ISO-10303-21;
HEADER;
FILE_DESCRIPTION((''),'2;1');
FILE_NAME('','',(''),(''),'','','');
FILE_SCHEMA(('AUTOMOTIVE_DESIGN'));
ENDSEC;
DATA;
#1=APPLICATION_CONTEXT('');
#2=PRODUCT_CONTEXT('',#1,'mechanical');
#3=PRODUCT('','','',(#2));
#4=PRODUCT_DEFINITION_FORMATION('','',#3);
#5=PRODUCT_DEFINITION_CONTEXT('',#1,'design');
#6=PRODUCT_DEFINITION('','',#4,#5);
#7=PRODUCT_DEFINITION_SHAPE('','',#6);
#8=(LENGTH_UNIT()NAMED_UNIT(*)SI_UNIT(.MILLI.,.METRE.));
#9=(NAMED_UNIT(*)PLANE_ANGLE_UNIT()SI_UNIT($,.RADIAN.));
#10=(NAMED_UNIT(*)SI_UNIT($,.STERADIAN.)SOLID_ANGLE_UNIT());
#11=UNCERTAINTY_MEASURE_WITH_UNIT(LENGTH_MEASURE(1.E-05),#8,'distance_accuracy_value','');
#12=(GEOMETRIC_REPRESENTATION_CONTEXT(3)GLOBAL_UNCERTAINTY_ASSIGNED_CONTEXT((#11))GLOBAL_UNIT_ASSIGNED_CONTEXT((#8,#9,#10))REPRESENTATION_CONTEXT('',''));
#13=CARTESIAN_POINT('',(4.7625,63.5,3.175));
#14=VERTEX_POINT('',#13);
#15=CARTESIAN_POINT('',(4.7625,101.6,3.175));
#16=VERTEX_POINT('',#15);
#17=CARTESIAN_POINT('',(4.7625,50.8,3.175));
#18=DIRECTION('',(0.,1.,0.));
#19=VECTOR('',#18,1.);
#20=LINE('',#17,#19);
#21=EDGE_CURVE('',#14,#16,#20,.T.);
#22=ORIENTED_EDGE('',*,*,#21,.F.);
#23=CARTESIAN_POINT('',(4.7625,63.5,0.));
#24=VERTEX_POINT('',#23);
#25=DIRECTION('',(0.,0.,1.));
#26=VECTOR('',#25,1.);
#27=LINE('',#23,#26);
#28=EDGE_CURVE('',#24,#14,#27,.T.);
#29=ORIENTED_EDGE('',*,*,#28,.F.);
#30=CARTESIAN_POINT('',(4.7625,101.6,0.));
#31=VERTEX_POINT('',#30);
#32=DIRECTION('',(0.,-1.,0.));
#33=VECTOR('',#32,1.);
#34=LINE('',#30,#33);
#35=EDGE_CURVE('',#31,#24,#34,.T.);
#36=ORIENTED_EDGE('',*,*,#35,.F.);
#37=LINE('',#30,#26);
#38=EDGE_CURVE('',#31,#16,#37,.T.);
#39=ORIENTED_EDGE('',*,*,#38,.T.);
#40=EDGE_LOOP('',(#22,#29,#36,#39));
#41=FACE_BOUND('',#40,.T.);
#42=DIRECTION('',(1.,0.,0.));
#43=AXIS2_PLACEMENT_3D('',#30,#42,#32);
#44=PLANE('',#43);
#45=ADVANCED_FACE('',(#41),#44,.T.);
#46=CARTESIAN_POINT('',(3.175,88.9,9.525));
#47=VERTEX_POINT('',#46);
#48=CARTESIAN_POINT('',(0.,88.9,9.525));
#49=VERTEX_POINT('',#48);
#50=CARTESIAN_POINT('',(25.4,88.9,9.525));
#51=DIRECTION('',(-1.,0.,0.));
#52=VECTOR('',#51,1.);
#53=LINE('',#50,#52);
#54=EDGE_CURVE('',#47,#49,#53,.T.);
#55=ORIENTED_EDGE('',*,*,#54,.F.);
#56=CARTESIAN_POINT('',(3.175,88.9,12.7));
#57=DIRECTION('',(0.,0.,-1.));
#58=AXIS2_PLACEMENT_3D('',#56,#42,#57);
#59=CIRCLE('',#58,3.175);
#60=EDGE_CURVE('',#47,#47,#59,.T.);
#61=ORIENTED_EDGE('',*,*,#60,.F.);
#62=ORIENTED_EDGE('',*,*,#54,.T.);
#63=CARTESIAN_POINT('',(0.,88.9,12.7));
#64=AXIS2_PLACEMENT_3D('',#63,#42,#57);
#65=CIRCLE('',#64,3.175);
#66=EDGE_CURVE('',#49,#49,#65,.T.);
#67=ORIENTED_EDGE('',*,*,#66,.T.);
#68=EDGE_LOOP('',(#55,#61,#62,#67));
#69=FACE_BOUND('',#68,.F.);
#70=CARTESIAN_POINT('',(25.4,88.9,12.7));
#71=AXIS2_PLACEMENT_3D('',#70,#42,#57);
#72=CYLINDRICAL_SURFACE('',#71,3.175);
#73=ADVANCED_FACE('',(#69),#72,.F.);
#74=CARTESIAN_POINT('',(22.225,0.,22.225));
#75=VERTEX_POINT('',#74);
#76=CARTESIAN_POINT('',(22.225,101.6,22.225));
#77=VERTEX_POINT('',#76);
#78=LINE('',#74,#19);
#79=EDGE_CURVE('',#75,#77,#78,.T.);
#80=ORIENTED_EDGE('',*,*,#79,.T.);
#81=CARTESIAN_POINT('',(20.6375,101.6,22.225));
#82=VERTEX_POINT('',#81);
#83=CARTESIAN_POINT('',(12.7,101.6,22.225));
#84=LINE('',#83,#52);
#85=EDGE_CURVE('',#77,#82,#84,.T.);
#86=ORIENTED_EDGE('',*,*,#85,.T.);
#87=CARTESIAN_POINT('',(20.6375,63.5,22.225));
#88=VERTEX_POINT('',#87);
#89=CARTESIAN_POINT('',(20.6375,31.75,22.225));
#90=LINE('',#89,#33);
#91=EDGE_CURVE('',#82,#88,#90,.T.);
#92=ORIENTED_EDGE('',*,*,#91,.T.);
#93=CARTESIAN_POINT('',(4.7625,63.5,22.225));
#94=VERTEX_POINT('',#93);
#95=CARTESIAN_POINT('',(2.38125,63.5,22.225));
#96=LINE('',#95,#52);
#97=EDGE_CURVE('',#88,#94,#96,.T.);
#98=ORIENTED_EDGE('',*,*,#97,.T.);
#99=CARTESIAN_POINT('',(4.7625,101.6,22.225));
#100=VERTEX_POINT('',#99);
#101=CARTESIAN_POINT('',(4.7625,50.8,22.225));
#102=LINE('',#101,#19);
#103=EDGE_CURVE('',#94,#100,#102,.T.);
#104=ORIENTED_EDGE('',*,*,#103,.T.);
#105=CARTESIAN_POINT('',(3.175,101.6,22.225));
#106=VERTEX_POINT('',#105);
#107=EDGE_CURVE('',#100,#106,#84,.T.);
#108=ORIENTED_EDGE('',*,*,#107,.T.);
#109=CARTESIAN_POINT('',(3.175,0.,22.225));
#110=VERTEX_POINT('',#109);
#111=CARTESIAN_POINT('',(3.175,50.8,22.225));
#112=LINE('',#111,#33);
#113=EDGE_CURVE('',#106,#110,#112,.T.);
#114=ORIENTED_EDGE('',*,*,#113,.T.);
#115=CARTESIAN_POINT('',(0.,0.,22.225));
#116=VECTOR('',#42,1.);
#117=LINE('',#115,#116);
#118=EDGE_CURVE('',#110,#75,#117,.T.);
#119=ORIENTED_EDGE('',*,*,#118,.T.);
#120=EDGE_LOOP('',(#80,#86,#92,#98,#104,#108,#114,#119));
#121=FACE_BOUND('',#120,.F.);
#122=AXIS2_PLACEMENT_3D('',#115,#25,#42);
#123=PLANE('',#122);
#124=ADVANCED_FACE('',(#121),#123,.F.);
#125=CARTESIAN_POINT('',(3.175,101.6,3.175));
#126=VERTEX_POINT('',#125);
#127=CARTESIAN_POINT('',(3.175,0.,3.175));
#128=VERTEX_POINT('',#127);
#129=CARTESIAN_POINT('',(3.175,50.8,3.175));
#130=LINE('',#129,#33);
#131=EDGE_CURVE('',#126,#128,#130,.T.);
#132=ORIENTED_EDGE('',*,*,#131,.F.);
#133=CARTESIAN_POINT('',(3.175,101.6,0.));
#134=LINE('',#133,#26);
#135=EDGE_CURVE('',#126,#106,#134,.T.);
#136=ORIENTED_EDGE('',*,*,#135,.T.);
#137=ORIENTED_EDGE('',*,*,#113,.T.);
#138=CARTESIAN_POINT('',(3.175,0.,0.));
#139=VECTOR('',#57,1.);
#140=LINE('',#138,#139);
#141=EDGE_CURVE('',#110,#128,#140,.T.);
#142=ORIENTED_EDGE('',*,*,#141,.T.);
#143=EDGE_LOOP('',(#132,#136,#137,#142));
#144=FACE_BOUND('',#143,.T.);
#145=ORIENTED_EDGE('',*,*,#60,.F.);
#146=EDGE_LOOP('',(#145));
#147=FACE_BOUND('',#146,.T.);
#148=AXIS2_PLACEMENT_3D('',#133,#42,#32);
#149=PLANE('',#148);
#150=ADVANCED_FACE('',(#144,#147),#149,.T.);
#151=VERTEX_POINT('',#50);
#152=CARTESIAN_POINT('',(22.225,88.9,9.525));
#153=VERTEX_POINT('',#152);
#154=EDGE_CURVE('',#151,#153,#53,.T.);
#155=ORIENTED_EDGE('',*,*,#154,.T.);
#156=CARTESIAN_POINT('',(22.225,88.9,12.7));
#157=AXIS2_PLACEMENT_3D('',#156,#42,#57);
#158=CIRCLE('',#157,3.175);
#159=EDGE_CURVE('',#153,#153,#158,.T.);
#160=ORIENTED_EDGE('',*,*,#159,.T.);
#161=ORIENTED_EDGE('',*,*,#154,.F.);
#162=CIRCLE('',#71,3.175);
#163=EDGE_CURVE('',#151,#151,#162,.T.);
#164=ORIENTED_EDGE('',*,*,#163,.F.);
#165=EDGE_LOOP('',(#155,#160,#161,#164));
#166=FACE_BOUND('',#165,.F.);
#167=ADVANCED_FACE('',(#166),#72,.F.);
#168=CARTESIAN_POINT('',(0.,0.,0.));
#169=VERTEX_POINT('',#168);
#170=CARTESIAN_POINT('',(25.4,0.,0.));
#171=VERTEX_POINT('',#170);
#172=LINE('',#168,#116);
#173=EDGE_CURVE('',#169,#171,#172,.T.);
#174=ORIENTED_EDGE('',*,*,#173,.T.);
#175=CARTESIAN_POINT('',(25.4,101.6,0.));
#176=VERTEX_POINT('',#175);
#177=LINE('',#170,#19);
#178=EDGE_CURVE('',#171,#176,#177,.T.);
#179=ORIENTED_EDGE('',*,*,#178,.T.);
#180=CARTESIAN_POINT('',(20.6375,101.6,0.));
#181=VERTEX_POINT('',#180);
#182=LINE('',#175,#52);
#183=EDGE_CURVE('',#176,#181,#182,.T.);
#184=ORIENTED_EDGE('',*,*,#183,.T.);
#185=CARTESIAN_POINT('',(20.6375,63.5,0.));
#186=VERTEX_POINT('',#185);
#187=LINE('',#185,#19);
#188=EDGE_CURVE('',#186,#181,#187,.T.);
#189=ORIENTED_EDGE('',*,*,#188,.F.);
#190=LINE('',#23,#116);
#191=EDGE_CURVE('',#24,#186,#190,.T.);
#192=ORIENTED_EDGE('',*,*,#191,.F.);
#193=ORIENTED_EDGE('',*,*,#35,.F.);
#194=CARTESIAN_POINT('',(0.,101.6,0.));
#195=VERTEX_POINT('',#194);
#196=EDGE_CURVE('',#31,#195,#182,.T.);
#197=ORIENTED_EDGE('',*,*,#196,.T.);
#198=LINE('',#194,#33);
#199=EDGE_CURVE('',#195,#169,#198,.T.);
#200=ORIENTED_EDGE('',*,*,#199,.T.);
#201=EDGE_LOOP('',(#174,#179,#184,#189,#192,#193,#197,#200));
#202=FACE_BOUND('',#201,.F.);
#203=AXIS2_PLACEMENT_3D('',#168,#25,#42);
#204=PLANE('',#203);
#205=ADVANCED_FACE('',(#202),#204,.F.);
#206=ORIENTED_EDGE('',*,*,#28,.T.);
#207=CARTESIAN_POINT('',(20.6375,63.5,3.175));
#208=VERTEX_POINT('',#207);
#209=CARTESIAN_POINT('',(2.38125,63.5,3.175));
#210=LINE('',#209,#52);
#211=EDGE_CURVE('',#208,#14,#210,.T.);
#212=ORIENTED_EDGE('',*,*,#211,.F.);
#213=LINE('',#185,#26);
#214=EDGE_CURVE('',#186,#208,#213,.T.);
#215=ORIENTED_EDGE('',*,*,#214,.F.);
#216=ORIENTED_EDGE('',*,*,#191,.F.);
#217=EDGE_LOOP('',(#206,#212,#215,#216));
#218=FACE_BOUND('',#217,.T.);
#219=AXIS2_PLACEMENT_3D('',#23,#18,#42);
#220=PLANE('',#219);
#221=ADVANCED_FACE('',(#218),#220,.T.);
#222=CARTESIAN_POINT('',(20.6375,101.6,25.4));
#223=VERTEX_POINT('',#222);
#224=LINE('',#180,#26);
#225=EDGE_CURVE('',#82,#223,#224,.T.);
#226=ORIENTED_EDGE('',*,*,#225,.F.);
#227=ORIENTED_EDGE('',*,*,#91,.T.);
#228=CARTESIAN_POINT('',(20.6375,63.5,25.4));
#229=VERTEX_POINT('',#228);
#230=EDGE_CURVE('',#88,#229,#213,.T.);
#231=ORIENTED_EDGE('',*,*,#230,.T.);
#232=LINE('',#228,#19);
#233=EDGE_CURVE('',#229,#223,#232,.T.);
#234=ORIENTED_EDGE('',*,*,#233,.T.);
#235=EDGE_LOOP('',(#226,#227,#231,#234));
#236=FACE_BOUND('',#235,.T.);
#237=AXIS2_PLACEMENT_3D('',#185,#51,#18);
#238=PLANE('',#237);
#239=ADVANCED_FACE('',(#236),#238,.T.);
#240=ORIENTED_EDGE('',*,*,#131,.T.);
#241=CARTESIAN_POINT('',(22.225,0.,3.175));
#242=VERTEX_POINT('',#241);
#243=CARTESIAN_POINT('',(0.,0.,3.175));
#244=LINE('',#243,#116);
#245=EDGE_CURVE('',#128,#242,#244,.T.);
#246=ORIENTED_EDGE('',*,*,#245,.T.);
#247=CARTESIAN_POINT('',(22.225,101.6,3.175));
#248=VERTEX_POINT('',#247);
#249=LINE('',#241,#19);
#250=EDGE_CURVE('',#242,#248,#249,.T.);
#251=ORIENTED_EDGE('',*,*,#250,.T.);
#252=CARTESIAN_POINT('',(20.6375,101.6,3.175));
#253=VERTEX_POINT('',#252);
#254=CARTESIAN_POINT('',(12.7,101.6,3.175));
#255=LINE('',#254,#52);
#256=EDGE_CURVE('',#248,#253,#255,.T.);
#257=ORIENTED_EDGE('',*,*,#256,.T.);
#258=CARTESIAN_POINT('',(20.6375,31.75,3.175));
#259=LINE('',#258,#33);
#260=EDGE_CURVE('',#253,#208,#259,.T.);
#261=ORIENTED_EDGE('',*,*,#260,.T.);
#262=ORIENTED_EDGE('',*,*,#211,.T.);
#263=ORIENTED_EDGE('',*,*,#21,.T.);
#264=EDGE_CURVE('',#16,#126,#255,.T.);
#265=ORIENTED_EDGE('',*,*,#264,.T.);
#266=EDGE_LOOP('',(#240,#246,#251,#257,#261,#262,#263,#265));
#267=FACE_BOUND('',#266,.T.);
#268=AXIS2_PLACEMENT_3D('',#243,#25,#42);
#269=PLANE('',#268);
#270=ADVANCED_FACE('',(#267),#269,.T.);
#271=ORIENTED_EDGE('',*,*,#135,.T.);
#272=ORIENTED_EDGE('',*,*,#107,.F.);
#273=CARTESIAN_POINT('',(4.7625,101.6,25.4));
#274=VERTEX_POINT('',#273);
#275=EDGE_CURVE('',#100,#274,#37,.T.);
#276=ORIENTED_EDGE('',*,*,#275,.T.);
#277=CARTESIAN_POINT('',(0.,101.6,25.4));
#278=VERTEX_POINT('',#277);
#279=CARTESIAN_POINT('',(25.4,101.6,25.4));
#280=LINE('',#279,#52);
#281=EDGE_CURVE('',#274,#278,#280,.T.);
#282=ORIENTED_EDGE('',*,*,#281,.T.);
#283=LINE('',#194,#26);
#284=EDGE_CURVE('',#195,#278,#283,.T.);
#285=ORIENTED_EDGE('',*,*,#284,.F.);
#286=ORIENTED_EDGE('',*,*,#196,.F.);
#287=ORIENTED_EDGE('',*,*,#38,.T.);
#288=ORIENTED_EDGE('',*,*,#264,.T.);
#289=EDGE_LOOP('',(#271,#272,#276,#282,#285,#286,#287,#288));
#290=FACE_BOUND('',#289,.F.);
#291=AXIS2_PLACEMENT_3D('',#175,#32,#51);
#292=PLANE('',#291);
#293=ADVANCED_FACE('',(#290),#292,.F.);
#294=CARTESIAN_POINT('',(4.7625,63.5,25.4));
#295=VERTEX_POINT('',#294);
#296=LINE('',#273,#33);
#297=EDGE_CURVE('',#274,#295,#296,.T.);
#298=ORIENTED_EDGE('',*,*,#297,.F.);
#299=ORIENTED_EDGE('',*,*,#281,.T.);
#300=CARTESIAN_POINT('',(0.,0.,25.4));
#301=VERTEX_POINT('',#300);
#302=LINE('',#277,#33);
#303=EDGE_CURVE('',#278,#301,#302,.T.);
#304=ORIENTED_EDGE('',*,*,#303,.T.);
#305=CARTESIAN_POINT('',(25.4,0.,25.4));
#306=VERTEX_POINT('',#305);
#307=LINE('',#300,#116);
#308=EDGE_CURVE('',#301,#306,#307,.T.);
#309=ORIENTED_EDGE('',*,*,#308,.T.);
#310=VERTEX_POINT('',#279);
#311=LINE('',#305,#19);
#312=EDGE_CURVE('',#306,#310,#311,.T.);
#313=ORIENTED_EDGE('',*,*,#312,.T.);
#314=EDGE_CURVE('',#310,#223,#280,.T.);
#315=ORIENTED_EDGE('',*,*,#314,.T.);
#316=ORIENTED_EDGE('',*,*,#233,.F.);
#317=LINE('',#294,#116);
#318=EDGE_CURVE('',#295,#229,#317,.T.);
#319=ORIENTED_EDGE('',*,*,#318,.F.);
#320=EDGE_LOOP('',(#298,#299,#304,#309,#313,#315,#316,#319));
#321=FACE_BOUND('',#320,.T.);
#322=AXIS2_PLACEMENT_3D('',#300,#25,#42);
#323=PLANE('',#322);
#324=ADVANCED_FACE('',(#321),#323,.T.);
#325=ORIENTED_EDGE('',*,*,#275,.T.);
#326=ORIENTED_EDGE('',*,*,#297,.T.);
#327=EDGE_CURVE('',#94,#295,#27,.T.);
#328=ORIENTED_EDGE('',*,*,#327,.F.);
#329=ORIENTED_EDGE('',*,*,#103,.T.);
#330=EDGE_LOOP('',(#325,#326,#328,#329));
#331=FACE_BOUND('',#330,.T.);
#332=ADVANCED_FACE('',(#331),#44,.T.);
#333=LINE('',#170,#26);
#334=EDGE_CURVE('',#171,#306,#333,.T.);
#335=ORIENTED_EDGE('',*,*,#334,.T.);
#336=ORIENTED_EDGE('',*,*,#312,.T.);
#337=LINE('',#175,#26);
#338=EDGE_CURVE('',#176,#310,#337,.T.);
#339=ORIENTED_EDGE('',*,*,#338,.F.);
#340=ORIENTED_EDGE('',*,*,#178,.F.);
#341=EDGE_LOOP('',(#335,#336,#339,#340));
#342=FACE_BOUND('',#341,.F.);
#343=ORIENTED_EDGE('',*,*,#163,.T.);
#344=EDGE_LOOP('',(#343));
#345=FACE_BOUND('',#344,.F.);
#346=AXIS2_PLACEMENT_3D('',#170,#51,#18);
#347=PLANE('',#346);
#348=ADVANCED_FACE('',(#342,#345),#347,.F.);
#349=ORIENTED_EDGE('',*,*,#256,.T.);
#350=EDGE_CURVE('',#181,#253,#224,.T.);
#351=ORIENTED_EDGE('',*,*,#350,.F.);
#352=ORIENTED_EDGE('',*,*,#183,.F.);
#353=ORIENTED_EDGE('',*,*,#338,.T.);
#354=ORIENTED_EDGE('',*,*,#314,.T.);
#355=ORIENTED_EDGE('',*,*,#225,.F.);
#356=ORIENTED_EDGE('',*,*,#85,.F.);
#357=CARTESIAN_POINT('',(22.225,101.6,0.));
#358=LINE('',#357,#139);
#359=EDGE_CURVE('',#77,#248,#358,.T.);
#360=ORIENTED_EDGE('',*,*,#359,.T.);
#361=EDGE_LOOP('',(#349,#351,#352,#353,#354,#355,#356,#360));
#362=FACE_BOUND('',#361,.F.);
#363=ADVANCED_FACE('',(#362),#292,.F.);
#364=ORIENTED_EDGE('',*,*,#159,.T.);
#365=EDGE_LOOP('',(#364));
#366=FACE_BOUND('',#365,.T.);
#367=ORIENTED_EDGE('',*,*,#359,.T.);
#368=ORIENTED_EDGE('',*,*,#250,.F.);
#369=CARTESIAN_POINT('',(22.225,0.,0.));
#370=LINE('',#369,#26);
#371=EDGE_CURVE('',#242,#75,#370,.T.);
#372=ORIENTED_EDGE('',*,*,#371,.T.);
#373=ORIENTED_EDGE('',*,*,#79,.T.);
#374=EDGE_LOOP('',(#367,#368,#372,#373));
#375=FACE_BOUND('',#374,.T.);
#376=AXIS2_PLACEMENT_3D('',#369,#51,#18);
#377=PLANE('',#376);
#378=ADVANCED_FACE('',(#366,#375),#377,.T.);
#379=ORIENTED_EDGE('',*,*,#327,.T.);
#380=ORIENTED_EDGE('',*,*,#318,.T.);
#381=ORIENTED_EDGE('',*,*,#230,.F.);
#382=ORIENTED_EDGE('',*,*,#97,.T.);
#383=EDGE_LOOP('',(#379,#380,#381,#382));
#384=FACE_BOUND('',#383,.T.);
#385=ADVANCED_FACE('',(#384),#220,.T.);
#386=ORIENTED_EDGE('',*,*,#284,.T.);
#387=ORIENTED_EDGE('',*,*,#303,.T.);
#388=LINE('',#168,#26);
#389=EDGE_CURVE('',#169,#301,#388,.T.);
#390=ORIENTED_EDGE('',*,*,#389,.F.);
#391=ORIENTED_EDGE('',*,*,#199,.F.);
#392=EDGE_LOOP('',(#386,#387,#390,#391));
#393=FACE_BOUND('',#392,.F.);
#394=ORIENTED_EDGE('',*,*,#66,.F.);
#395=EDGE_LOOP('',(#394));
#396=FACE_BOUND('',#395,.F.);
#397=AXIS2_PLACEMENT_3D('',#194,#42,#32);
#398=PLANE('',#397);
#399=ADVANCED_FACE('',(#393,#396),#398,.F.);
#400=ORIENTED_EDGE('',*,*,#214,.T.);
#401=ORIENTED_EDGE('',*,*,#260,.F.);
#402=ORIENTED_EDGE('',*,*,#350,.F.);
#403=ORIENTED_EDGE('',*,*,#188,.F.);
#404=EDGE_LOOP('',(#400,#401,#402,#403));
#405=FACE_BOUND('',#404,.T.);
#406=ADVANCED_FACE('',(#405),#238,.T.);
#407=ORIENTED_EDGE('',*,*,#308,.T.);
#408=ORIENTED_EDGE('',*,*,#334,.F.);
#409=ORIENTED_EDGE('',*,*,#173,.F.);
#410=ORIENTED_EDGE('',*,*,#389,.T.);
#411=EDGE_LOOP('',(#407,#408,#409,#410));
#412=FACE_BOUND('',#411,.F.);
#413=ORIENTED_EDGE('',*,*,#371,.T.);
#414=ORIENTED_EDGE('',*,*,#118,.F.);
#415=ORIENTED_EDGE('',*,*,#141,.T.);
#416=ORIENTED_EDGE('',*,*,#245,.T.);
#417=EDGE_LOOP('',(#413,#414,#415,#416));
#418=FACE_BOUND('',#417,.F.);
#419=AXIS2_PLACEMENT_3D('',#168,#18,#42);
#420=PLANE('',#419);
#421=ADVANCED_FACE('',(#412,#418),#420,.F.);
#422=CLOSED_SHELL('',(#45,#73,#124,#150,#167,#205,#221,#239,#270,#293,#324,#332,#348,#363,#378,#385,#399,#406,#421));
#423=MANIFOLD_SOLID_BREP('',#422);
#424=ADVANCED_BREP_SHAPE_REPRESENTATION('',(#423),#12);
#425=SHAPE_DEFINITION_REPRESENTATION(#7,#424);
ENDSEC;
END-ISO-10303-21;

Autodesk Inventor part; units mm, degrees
ref_plane "YZ Plane" through (0, 0, 0) normal (1, 0, 0) x (0, 1, 0)
ref_plane "XZ Plane" through (0, 0, 0) normal (0, 1, 0) x (-1, 0, 0)
ref_plane "XY Plane" through (0, 0, 0) normal (0, 0, 1) x (1, 0, 0)
sketch "Sketch1" plane through (0, 0, 0) normal (0, 0, 1) x (1, 0, 0)
  line L0 (0, 0) -> (25.4, 0)
  line L1 (25.4, 0) -> (25.4, 101.6)
  line L2 (25.4, 101.6) -> (0, 101.6)
  line L3 (0, 101.6) -> (0, 0)
  dimension "d0" = 25.4
  dimension "d1" = 101.6
extrude "Extrusion1" add sketch "Sketch1" along normal blind 25.4
shell "Shell1" thickness 3.175 removed faces 2 at (16.9333, 101.6, 16.9333) at (8.4667, 0, 8.4667)
sketch "Sketch2" plane through (25.4, 0, 0) normal (1, 0, 0) x (0, 0, -1)
  line L0 (0, 0) -> (0, 101.6) projected
  circle A0 centre (-12.7, 88.9) radius 3.175
  line L1 (0, 0) -> (-25.4, 0) projected
  dimension "d8" = 6.35
  dimension "d9" = 12.7
  dimension "d13" = 88.9
extrude "Extrusion2" cut sketch "Sketch2" against normal through all
sketch "Sketch3" plane through (0, 0, 0) normal (0, 0, -1) x (-1, 0, 0)
  line L0 (0, 101.6) -> (0, 0) projected
  line L1 (-25.4, 101.6) -> (0, 101.6) projected
  line L2 (-25.4, 0) -> (-25.4, 101.6) projected
  line L3 (-20.6375, 101.6) -> (-4.7625, 101.6)
  line L4 (-4.7625, 101.6) -> (-4.7625, 63.5)
  line L5 (-4.7625, 63.5) -> (-20.6375, 63.5)
  line L6 (-20.6375, 63.5) -> (-20.6375, 101.6)
  dimension "d14" = 38.1
  dimension "d15" = 4.7625
  dimension "d16" = 4.7625
extrude "Extrusion3" cut sketch "Sketch3" against normal blind 25.4
properties part number "PivotLeverBar" material "Aluminum-6061"
